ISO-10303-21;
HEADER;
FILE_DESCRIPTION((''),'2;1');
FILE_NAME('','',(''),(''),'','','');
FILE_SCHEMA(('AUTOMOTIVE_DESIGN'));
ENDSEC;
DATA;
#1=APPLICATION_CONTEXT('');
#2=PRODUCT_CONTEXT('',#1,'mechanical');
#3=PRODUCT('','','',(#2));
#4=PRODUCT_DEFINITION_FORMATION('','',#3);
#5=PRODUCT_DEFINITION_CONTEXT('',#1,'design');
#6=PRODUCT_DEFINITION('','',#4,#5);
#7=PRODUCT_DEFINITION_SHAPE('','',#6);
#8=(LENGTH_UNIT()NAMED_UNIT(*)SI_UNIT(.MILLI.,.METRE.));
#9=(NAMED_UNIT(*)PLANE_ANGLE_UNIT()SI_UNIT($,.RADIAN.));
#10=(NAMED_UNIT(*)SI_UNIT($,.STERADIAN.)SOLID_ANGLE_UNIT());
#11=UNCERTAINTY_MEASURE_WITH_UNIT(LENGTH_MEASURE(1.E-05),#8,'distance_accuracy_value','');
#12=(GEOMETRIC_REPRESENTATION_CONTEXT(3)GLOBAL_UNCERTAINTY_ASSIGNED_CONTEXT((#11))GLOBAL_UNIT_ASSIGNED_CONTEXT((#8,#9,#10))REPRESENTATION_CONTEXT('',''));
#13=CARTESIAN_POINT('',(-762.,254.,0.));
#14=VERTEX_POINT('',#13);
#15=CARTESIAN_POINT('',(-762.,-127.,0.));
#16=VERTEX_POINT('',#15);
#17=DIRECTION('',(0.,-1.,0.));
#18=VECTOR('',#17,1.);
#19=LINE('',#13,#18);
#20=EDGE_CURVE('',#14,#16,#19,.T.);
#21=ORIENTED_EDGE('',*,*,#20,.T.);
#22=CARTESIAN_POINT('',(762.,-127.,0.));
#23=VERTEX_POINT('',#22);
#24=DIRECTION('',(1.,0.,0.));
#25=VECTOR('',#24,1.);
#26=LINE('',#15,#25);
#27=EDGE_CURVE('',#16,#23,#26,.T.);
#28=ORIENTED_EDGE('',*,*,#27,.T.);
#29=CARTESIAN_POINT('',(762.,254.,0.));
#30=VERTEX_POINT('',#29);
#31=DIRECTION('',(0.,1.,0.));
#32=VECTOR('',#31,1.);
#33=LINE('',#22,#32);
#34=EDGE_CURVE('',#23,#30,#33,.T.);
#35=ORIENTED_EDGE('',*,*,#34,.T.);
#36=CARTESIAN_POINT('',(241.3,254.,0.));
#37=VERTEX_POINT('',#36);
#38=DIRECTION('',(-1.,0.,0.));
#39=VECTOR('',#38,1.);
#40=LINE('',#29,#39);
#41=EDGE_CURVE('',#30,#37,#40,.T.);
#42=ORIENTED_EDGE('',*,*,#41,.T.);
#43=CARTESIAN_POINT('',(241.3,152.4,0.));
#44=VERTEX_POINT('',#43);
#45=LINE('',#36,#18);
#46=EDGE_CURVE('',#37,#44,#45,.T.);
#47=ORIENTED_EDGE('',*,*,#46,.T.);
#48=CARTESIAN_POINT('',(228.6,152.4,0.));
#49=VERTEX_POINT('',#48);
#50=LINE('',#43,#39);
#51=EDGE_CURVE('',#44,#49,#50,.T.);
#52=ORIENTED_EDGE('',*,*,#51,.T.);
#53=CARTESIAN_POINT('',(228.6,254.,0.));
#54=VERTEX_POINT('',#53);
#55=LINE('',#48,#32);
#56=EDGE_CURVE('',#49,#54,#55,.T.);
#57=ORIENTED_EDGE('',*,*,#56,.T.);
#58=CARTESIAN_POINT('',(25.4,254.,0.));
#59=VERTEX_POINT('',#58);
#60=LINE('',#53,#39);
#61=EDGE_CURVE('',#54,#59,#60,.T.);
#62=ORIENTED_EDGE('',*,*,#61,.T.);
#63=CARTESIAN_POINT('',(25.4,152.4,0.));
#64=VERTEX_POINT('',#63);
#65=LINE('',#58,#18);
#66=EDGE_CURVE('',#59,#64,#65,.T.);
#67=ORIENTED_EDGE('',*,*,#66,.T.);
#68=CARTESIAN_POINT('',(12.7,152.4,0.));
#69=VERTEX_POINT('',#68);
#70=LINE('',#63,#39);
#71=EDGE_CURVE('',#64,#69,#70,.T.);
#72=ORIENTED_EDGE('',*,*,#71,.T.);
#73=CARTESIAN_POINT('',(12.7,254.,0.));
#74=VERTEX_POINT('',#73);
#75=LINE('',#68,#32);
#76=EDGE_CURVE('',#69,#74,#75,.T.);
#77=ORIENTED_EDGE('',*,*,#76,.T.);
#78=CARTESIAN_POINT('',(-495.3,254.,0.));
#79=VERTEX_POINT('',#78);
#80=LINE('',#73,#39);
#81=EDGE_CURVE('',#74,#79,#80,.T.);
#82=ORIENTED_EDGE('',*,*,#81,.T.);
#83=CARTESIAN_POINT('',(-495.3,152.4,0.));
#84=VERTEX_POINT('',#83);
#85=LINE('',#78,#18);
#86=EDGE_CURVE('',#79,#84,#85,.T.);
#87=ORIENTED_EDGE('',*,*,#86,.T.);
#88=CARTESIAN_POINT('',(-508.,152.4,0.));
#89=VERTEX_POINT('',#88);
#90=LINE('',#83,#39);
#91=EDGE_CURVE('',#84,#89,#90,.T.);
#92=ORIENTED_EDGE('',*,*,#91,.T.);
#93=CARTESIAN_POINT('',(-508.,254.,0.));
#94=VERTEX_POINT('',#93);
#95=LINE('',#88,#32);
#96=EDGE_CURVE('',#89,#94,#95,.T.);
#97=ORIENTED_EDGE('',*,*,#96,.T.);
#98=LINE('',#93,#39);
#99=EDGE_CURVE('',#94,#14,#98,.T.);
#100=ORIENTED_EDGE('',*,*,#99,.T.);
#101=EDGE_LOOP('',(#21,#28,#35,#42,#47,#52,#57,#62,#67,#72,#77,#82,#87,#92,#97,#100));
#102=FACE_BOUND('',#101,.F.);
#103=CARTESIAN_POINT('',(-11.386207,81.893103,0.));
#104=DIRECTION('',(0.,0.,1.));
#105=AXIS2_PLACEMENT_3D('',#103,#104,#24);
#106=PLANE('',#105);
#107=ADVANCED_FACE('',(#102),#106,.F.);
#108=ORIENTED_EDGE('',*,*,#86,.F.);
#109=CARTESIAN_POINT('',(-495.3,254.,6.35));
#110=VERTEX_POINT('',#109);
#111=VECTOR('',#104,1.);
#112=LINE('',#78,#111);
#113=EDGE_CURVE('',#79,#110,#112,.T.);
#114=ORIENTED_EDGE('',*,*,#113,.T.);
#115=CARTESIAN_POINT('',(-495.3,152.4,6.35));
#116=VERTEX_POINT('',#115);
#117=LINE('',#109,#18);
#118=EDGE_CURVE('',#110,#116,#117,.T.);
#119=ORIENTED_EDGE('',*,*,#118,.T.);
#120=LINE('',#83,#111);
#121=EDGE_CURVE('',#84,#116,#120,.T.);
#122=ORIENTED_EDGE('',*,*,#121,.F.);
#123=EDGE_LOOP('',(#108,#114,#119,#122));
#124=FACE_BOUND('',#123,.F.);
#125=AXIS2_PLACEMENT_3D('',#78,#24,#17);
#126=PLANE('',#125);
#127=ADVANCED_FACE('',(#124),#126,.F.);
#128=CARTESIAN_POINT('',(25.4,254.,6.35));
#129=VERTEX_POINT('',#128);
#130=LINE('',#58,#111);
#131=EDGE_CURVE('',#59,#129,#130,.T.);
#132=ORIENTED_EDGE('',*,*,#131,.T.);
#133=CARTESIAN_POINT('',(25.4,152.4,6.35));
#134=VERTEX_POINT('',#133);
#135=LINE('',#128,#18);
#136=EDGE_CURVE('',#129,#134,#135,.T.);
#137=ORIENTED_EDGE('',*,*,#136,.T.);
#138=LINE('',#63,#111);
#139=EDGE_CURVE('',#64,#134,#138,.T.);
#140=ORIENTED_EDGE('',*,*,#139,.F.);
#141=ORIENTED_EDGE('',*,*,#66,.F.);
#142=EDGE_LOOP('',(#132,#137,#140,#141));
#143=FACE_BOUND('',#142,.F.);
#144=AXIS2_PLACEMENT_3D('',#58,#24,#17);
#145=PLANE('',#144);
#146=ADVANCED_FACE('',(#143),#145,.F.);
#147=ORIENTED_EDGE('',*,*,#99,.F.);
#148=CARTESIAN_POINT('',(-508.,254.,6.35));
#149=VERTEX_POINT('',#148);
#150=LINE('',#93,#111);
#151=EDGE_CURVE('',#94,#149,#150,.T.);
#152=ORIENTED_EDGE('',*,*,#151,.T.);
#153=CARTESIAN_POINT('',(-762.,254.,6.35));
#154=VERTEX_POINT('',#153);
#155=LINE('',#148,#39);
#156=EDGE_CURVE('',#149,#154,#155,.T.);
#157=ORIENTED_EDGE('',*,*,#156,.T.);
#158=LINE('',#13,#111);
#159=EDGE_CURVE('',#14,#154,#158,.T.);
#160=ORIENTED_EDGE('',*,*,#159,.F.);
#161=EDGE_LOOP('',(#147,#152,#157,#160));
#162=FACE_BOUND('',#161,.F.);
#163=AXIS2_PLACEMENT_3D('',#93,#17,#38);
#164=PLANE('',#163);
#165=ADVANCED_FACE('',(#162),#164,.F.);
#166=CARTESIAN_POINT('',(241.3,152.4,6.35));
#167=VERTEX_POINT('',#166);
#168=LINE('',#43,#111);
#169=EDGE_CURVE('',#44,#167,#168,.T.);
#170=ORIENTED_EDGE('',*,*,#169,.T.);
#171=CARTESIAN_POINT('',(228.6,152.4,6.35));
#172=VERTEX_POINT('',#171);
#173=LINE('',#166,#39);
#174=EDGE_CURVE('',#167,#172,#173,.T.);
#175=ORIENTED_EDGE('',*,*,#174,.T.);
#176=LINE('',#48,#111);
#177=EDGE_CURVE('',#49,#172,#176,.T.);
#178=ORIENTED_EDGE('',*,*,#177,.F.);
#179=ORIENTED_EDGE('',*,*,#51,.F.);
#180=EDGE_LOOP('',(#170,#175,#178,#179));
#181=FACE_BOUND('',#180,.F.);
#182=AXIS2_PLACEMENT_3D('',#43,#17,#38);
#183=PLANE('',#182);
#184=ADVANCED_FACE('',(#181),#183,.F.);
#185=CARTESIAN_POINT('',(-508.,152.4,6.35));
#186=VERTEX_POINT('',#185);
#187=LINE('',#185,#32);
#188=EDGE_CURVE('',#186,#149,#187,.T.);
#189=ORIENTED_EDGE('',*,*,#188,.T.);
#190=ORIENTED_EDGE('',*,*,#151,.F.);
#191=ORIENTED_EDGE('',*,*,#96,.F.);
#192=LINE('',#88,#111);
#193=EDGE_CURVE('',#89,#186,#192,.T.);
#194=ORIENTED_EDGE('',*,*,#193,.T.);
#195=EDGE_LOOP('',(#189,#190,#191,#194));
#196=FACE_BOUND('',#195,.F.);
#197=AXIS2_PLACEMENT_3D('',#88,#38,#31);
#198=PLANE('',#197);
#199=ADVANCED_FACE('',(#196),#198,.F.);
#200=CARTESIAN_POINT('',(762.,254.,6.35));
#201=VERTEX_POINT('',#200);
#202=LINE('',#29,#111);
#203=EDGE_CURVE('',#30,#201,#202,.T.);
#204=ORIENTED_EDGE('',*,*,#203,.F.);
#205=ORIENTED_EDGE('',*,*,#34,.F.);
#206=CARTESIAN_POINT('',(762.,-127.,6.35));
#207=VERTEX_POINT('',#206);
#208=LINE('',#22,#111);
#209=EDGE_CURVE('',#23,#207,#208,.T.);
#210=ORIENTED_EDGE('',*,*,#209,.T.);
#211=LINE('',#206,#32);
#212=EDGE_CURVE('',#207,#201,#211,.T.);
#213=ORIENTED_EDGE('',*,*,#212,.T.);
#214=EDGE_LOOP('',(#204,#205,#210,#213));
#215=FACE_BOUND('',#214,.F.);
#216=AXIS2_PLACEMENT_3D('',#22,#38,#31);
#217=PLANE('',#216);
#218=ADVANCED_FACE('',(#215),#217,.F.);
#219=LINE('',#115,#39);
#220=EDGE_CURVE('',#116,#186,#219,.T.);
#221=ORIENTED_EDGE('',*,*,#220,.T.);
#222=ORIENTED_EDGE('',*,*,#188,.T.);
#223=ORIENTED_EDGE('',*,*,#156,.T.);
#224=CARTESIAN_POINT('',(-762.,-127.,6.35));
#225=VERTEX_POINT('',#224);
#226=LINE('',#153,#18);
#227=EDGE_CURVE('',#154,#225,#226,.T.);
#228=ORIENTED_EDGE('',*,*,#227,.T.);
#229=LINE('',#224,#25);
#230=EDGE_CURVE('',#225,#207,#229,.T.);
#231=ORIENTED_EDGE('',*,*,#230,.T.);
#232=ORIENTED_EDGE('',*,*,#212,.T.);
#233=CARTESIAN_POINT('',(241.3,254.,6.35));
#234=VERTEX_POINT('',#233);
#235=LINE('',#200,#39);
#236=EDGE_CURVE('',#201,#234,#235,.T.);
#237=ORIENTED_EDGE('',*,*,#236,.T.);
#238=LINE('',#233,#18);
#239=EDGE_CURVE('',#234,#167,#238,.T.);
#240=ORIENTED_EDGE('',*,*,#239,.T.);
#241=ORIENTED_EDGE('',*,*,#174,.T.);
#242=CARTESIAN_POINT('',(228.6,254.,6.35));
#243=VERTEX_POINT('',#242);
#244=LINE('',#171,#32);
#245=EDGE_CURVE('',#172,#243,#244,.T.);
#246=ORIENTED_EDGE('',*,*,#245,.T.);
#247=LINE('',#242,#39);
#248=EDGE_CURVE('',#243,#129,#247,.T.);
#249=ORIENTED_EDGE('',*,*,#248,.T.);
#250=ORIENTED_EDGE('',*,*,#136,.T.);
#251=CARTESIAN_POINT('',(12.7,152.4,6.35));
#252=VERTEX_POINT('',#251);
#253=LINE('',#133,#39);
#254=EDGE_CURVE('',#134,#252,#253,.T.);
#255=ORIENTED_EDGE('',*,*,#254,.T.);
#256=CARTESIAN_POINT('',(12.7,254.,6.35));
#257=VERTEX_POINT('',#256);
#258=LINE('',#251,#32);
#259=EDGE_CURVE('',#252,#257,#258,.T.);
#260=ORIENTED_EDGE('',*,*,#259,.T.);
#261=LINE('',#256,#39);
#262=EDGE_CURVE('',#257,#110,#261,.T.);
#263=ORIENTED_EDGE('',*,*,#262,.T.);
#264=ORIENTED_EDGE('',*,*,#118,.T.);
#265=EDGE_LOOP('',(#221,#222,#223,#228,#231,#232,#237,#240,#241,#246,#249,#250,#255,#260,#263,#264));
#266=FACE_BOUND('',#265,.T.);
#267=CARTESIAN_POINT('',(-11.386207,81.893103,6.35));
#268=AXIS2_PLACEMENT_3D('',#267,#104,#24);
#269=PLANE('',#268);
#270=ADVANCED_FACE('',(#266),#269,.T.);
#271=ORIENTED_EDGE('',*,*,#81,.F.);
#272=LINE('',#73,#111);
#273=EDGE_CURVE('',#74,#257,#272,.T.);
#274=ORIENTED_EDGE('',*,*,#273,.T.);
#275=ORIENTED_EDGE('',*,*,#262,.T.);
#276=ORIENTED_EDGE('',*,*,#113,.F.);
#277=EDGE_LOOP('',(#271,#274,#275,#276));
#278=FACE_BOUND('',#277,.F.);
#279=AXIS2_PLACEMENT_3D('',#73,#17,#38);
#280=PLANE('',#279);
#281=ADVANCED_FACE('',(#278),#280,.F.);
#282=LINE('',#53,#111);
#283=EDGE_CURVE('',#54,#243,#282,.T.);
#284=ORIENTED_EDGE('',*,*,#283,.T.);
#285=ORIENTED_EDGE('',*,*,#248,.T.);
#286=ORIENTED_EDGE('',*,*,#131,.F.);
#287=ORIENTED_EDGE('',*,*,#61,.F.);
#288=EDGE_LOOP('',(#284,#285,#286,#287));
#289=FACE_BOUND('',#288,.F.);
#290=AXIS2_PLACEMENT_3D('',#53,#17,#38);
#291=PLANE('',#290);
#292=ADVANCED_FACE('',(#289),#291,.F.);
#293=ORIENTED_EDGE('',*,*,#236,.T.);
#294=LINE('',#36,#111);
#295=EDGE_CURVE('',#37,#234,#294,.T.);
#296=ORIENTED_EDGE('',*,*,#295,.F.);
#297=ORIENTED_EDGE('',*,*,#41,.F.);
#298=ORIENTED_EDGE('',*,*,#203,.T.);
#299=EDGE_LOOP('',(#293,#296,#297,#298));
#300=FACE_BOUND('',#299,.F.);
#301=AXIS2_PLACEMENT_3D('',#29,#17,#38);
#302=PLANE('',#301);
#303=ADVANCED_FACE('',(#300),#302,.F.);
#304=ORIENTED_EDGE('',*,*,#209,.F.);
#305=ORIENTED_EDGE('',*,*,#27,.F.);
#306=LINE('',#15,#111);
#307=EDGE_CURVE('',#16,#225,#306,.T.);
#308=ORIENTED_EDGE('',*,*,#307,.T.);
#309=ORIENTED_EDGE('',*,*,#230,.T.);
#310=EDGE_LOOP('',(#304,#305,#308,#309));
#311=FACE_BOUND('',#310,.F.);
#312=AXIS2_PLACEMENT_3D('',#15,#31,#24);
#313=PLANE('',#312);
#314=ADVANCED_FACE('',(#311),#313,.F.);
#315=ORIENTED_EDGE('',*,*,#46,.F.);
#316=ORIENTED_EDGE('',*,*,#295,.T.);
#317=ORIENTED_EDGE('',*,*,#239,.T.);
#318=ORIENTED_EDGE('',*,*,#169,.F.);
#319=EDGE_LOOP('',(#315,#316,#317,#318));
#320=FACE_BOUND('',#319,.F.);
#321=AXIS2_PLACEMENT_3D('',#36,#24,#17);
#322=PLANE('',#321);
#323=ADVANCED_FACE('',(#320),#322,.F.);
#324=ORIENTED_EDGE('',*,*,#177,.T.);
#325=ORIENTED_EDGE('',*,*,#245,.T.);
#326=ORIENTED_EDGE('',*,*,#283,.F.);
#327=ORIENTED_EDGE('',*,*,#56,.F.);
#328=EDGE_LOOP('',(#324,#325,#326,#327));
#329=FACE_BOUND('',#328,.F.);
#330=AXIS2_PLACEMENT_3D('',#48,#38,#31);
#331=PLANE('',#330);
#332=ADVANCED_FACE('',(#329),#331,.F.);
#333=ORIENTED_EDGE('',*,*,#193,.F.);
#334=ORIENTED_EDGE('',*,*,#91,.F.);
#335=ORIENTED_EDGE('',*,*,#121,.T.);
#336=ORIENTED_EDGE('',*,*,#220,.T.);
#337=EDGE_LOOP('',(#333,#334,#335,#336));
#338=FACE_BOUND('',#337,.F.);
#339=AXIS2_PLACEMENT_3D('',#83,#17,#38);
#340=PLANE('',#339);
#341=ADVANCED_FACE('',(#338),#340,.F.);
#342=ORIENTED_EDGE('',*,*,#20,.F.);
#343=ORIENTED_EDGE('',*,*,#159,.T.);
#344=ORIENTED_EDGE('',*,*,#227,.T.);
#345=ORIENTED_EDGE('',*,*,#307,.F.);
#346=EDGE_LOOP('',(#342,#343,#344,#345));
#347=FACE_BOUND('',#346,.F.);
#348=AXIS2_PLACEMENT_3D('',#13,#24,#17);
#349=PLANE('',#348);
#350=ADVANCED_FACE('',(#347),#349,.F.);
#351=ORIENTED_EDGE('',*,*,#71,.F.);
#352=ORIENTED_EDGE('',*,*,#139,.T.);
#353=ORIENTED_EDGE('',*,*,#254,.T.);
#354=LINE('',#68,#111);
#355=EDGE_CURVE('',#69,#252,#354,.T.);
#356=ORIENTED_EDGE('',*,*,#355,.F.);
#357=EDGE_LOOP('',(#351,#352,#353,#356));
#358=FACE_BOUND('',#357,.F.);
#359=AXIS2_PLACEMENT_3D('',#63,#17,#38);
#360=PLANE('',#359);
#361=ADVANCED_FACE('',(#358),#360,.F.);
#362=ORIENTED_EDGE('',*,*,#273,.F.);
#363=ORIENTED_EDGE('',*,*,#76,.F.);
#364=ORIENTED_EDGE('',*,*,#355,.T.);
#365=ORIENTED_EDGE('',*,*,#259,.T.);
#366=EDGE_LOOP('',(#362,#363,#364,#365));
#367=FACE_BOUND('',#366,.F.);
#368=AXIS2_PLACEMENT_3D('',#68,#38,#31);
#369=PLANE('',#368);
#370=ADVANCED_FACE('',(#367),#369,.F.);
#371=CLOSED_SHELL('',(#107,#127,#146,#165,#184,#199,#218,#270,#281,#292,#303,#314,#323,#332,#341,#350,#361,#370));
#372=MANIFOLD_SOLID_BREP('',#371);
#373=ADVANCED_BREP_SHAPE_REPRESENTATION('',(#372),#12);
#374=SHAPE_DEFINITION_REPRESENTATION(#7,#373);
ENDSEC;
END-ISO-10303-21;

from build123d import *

# Parameters (mm, degrees)
F1_DEPTH = 6.35


with BuildPart() as f1:
    # F0 (on Top) → F1 (new body)
    with BuildSketch(Plane.XY):
        Polygon((-508, 254), (-762, 254), (-762, -127), (762, -127), (762, 254), (241.3, 254), (241.3, 152.4), (228.6, 152.4), (228.6, 254), (25.4, 254), (25.4, 152.4), (12.7, 152.4), (12.7, 254), (-495.3, 254), (-495.3, 152.4), (-508, 152.4), align=None)
    extrude(amount=F1_DEPTH)


solid = f1.part
